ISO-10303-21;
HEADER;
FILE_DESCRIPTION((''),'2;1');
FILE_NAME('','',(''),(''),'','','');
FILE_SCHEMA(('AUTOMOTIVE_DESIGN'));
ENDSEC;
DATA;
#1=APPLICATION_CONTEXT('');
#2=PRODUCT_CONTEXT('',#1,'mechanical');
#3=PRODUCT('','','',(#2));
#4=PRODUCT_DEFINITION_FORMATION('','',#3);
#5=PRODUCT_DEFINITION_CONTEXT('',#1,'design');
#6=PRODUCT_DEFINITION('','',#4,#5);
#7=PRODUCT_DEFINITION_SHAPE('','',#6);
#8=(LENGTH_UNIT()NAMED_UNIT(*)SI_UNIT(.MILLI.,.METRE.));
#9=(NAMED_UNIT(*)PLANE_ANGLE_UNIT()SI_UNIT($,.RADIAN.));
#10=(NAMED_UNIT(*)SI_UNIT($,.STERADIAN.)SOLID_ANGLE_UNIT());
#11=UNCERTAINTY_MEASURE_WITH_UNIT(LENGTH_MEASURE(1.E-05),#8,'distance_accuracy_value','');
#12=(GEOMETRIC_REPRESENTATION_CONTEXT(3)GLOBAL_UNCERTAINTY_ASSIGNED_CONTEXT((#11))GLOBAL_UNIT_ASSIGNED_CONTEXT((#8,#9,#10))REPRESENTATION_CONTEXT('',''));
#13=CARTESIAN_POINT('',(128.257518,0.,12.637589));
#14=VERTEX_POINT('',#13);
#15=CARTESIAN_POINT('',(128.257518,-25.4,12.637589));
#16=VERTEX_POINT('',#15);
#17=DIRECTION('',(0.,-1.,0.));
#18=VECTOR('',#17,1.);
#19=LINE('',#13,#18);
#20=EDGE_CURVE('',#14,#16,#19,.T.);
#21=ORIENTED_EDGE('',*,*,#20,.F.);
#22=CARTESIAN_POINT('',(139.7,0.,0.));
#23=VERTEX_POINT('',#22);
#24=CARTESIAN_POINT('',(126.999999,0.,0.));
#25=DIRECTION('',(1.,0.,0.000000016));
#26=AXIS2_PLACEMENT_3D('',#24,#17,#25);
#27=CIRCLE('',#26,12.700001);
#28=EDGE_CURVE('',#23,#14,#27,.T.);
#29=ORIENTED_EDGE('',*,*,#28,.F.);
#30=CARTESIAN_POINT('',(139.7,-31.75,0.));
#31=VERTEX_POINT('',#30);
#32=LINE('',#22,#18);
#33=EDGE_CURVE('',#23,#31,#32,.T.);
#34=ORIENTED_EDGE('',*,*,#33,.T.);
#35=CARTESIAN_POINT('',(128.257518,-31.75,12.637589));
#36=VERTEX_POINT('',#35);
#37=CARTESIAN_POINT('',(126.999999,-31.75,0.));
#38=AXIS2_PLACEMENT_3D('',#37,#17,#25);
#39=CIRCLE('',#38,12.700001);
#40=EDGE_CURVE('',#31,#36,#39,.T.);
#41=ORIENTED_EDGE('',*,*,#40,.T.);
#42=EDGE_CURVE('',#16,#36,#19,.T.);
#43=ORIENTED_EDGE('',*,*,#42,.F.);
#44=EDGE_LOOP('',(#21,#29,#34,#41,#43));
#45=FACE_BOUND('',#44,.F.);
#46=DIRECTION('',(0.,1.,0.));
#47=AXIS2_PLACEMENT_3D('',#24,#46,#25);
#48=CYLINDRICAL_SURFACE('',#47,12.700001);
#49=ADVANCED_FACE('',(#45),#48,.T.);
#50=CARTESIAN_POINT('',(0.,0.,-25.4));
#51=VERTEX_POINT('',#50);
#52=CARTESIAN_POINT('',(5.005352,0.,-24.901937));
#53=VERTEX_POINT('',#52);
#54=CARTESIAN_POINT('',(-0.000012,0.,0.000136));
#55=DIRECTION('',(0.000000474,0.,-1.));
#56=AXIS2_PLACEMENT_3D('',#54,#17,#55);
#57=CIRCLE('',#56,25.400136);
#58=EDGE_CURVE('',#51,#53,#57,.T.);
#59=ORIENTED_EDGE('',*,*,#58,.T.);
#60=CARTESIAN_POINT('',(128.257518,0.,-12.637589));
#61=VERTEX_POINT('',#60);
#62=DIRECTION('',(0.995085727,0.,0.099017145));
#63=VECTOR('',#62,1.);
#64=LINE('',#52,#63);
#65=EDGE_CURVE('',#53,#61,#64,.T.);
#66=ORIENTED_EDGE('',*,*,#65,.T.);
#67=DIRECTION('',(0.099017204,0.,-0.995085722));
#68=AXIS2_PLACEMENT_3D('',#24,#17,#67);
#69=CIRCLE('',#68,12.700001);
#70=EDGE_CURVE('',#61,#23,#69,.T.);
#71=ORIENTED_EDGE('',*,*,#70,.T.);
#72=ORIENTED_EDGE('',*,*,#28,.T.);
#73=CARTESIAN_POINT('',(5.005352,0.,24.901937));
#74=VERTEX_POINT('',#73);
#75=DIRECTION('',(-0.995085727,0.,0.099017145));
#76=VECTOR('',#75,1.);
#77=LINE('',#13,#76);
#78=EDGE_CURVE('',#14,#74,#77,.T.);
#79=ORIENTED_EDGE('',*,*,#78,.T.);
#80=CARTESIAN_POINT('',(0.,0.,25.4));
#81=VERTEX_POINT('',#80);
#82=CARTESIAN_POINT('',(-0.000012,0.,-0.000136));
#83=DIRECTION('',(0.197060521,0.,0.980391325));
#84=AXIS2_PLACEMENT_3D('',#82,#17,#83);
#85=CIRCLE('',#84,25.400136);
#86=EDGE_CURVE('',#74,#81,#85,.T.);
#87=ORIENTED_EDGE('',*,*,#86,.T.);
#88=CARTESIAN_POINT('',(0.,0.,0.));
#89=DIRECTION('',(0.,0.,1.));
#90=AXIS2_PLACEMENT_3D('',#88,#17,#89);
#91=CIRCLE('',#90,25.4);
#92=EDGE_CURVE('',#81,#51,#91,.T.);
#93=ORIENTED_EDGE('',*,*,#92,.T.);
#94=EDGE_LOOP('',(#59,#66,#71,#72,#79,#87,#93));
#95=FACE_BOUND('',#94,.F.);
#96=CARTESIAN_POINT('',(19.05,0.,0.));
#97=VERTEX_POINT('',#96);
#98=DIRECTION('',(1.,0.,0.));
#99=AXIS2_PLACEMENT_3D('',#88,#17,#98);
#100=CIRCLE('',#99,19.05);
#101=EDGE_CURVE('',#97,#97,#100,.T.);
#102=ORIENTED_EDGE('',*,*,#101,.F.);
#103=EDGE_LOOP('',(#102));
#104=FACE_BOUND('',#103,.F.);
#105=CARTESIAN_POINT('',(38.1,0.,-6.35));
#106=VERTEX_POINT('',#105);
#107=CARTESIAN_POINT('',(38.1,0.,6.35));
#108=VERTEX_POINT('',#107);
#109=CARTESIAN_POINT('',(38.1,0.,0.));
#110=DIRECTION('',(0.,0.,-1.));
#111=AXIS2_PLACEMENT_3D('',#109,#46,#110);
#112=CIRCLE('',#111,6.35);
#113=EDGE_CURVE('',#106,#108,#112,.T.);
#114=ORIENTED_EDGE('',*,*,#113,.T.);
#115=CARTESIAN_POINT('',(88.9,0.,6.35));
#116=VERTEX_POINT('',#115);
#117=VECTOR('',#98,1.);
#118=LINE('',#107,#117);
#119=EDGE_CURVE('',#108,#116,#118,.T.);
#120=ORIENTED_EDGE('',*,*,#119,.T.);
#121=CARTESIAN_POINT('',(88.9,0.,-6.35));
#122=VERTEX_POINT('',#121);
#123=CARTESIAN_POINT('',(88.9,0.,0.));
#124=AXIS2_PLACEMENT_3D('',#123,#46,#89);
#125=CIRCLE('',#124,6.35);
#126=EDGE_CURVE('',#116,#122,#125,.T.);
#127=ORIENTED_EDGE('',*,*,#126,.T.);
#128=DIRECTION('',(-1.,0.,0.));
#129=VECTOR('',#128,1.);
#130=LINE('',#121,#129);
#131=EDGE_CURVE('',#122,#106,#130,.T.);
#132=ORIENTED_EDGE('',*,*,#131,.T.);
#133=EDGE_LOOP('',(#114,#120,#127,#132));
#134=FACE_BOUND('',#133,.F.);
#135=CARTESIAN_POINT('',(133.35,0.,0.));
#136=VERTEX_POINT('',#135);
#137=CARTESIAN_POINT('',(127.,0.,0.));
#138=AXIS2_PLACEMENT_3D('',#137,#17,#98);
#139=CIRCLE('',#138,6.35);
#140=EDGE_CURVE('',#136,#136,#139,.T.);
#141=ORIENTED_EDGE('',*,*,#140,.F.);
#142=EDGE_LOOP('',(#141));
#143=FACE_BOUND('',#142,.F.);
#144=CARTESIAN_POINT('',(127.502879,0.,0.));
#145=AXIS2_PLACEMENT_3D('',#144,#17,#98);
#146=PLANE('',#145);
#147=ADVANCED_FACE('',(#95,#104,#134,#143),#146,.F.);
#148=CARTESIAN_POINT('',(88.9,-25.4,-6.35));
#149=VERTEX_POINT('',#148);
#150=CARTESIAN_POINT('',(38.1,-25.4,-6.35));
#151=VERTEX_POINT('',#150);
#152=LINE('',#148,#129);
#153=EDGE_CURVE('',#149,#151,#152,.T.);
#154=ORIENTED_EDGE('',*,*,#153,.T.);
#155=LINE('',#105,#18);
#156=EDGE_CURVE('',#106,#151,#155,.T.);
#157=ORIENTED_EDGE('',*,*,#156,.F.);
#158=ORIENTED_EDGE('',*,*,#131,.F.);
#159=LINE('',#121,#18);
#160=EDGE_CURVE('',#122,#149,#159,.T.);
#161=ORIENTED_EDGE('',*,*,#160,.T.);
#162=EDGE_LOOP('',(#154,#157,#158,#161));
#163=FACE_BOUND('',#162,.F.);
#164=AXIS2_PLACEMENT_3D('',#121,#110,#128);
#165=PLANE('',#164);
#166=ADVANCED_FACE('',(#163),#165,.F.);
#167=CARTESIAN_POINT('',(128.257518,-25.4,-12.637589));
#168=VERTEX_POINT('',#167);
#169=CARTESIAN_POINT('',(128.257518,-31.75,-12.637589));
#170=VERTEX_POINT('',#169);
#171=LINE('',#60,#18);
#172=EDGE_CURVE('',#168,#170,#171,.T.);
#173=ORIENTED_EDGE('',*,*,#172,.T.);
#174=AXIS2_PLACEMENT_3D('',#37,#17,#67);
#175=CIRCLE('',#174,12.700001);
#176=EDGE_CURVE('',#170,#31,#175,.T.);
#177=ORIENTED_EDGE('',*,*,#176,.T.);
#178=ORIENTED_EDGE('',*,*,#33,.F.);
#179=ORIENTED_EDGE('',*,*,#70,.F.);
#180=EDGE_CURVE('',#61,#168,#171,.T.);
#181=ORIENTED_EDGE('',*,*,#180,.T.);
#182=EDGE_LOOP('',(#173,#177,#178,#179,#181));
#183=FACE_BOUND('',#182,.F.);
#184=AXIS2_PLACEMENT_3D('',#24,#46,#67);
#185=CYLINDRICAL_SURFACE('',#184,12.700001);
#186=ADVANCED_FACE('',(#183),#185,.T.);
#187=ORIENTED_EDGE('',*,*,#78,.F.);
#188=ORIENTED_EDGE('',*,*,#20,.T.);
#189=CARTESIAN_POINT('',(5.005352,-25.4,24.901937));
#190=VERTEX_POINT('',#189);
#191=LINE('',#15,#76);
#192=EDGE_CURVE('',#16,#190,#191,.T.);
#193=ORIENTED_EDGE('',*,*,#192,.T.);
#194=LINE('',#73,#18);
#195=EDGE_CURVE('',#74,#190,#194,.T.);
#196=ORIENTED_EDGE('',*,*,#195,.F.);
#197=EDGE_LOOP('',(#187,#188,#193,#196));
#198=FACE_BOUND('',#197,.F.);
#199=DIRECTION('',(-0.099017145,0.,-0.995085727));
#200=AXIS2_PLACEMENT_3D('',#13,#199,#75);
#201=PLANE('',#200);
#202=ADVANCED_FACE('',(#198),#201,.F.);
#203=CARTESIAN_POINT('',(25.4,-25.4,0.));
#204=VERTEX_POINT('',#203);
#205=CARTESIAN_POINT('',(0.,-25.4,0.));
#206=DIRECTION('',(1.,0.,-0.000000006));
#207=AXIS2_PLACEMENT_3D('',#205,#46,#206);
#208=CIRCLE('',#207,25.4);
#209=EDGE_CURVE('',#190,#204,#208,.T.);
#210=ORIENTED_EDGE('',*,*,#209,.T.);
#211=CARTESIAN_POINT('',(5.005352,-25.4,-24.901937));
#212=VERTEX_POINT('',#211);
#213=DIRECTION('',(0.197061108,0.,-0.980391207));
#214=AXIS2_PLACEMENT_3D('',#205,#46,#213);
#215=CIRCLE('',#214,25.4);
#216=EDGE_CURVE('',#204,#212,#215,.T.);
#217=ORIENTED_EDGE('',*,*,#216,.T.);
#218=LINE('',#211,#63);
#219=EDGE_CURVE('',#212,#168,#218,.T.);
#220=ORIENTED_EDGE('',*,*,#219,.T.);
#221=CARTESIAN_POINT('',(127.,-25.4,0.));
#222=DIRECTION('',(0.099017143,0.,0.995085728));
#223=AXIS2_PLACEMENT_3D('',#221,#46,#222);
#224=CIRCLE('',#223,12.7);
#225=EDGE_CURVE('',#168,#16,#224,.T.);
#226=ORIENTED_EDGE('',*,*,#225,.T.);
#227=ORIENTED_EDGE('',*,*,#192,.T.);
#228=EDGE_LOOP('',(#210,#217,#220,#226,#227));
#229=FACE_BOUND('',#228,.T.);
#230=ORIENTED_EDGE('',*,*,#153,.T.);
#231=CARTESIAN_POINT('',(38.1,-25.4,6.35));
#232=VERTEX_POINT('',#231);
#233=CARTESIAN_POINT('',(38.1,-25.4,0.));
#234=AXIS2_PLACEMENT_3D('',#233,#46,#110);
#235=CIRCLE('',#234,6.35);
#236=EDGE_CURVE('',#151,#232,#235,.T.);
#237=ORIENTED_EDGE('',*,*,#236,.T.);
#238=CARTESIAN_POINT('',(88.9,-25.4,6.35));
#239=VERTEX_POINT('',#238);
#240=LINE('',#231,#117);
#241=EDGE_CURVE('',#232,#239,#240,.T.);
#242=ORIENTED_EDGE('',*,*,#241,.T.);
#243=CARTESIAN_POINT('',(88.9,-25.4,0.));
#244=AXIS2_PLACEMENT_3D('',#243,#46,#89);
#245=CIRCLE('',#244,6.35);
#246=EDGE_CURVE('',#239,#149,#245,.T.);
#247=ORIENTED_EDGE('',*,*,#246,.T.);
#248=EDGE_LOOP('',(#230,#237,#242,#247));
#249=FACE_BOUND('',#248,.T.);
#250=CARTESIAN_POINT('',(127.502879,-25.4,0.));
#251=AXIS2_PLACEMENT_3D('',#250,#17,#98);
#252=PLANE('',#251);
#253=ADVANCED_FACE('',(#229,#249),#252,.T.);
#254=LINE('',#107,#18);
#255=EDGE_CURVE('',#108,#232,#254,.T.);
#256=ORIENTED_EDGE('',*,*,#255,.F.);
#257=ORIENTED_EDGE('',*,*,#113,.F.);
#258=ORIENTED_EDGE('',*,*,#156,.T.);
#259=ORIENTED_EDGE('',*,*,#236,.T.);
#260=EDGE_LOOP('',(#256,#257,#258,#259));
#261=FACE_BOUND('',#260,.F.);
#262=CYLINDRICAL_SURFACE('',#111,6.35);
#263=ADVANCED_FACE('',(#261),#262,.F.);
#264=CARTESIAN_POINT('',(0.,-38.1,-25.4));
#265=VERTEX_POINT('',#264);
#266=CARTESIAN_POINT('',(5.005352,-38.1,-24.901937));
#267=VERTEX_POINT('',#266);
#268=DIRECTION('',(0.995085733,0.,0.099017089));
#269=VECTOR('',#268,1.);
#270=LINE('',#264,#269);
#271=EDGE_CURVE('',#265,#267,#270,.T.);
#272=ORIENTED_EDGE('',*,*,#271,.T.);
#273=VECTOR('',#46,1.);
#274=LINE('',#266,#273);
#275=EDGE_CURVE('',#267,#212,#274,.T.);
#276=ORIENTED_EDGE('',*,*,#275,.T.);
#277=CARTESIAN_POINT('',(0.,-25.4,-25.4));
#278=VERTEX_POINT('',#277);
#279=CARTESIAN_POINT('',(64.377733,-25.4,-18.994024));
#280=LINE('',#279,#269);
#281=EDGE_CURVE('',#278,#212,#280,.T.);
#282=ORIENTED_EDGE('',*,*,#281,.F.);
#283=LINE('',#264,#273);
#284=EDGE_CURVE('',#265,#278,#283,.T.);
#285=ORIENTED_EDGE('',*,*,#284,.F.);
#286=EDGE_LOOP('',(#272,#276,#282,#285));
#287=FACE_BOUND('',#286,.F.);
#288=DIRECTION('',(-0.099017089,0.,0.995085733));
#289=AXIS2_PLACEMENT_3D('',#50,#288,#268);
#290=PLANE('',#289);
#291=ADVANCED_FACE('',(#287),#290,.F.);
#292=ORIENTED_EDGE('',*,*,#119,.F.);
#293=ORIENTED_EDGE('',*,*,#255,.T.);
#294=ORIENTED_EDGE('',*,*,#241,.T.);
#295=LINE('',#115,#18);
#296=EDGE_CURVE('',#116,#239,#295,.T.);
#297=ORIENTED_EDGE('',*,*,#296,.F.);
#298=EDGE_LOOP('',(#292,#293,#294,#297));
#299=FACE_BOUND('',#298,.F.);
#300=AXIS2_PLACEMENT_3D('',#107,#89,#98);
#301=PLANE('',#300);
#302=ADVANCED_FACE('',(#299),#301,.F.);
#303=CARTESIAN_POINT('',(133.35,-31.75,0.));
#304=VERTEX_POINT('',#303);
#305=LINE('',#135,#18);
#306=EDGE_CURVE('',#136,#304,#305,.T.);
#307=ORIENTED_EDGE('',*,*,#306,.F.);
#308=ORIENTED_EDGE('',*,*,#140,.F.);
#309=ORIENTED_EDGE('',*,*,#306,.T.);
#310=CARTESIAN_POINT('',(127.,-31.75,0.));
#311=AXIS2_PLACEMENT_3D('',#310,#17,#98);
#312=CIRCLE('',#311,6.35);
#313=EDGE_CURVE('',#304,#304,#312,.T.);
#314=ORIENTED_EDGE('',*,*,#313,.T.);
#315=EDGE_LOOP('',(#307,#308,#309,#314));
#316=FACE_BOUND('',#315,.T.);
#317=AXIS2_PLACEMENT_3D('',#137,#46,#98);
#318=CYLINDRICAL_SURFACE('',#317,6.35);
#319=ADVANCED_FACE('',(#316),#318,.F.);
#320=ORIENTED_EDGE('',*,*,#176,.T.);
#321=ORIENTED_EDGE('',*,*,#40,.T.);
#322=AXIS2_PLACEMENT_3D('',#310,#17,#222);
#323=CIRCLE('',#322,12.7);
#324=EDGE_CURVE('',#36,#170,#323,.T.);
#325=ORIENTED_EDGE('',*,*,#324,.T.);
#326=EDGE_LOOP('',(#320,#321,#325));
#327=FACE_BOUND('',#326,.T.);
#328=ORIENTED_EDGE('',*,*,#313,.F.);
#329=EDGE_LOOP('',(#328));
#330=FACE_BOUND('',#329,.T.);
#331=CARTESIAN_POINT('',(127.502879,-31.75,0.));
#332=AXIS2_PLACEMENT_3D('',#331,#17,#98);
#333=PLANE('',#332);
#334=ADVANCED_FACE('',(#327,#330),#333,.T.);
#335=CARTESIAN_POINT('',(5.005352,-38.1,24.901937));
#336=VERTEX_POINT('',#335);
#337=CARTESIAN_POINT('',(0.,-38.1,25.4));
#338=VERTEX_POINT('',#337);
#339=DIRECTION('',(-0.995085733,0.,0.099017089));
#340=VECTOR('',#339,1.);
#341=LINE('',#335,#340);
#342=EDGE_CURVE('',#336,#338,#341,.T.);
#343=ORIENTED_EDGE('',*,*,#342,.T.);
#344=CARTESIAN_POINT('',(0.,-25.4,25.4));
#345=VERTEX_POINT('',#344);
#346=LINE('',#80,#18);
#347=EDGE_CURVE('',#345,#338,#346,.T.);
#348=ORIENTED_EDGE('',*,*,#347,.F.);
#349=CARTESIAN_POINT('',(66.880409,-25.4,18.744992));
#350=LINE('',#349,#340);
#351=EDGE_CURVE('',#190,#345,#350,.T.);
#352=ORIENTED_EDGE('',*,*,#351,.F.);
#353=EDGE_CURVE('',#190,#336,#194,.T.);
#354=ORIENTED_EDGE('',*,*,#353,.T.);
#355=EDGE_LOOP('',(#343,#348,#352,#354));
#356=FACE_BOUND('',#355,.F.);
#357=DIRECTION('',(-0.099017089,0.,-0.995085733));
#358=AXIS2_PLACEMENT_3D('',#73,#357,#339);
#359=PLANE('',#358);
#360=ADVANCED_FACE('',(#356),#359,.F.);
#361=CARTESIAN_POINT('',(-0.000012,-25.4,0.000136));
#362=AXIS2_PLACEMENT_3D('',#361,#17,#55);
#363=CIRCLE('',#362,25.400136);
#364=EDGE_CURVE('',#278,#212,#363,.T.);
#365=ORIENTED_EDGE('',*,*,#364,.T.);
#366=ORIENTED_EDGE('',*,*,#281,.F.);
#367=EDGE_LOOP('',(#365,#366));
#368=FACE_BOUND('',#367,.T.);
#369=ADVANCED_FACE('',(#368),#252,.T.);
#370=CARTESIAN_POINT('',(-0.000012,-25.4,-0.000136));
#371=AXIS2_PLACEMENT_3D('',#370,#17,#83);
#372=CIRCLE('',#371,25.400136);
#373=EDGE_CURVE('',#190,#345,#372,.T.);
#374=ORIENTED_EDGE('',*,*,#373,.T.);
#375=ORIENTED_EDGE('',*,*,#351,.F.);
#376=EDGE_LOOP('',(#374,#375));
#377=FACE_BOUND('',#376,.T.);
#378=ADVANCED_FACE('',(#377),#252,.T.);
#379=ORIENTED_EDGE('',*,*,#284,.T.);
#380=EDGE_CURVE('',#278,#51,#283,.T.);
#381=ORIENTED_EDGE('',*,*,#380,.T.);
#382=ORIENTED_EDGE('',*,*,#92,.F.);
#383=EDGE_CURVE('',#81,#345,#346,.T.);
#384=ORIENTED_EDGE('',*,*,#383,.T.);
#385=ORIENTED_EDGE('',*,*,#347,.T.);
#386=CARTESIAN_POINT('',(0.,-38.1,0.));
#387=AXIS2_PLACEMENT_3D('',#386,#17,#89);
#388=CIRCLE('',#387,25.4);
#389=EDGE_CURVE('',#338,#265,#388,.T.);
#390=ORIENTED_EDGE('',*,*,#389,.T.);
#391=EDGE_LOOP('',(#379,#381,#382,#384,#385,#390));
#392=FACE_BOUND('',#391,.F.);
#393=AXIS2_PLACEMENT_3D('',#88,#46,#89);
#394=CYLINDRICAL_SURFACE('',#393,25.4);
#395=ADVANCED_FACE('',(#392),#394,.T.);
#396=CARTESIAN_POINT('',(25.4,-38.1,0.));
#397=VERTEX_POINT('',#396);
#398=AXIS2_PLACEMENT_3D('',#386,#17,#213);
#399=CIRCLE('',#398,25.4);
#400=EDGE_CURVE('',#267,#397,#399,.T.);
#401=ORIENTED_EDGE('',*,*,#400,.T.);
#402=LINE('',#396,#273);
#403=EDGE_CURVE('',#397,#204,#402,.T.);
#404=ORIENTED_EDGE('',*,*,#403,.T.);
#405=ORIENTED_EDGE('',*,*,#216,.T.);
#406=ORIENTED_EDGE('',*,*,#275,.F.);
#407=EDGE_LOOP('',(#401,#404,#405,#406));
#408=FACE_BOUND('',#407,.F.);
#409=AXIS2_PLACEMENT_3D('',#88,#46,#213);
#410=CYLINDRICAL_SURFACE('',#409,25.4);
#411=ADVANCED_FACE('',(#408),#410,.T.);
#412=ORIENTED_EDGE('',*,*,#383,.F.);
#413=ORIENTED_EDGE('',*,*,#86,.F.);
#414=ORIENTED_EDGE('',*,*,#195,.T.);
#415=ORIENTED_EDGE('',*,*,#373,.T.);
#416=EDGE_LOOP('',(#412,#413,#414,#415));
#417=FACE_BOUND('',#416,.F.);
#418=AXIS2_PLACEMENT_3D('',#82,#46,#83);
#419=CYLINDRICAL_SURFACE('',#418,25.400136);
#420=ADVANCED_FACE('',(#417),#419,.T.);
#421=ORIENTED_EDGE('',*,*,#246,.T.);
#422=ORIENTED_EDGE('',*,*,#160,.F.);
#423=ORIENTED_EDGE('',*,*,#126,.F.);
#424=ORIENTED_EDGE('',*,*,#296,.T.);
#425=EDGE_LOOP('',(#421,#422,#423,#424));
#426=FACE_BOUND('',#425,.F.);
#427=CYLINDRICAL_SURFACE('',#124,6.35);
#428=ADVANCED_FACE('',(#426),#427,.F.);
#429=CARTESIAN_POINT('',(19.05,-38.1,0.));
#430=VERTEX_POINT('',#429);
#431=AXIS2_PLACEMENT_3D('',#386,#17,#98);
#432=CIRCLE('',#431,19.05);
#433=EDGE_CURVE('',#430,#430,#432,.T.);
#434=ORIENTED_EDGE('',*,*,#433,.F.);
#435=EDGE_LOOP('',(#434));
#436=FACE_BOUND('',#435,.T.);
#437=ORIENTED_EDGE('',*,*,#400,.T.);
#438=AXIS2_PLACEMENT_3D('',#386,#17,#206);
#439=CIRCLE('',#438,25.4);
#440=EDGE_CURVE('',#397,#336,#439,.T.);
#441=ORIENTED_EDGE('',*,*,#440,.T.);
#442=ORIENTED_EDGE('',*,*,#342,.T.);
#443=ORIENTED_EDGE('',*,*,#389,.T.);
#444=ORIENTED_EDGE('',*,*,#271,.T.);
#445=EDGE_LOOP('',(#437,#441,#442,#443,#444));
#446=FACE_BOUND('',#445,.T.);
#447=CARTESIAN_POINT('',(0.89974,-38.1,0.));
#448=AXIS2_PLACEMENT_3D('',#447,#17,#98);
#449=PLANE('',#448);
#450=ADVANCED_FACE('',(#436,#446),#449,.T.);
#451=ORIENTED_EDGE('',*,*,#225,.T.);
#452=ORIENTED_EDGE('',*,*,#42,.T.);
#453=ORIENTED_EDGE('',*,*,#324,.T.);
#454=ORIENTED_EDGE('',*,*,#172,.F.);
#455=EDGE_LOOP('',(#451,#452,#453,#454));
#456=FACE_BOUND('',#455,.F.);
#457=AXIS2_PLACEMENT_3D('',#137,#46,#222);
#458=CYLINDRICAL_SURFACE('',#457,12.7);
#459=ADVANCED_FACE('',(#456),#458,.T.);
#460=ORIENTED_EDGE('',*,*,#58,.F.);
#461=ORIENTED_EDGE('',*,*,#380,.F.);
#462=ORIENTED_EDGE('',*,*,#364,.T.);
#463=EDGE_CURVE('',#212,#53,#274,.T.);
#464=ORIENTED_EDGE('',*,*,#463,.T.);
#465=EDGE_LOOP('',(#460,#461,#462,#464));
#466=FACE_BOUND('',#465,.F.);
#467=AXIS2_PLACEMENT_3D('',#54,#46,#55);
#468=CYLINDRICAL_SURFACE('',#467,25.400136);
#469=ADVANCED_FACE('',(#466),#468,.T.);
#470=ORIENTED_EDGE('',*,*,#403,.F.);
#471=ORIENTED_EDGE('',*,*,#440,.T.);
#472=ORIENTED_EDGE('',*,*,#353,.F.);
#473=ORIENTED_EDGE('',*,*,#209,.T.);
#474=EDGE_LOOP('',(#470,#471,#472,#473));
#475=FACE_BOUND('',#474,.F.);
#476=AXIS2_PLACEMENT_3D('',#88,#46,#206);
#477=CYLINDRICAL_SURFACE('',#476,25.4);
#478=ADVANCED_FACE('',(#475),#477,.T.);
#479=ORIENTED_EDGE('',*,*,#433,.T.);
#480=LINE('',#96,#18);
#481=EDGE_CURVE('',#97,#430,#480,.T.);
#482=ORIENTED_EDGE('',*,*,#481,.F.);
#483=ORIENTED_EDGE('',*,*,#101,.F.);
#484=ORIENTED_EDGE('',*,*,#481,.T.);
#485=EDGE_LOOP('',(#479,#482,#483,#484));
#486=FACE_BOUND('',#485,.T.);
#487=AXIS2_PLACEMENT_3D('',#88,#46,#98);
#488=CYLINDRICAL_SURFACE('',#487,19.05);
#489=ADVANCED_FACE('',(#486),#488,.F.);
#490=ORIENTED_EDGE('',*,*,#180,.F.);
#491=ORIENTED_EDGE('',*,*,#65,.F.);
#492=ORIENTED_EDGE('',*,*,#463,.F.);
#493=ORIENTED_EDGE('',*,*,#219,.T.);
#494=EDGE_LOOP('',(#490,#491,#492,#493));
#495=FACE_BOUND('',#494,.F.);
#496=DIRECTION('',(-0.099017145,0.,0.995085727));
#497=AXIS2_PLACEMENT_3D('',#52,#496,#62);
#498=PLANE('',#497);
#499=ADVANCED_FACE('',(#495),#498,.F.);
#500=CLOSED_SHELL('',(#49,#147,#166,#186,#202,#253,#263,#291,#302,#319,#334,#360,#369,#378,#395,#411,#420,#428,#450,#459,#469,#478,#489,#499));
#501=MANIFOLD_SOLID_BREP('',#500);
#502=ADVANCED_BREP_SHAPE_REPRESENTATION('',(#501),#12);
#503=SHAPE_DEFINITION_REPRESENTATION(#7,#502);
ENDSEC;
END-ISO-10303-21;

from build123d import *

# Parameters (mm, degrees)
F0_R     = 19.05
F1_DEPTH = 38.1
F0_R_2   = 6.35
F2_DEPTH = 31.75
F3_DEPTH = 25.4


with BuildPart() as f1:
    # F0 (on Front) → F1 (new body)
    with BuildSketch(Plane.XZ):
        with BuildLine():
            ThreePointArc((25.4, 0), (19.650648, 16.093851), (5.005352, 24.901937))
            Line((5.005352, 24.901937), (0, 25.4))
            ThreePointArc((0, 25.4), (-25.4, 0), (0, -25.4))
            Line((0, -25.4), (5.005352, -24.901937))
            ThreePointArc((5.005352, -24.901937), (19.650648, -16.093851), (25.4, 0))
        make_face()
        Circle(F0_R, mode=Mode.SUBTRACT)
    extrude(amount=F1_DEPTH)

    # F0 (on Front) → F2 (join)
    with BuildSketch(Plane.XZ):
        with BuildLine():
            ThreePointArc((25.4, 0), (19.650648, 16.093851), (5.005352, 24.901937))
            Line((5.005352, 24.901937), (0, 25.4))
            ThreePointArc((0, 25.4), (-25.4, 0), (0, -25.4))
            Line((0, -25.4), (5.005352, -24.901937))
            ThreePointArc((5.005352, -24.901937), (19.650648, -16.093851), (25.4, 0))
        make_face()
        Circle(F0_R, mode=Mode.SUBTRACT)
        with BuildLine():
            ThreePointArc((128.257518, -12.637589), (136.414363, -8.52407), (139.7, 0))
            ThreePointArc((139.7, 0), (136.414363, 8.52407), (128.257518, 12.637589))
            ThreePointArc((128.257518, 12.637589), (114.3, 0), (128.257518, -12.637589))
        make_face()
        with Locations((127, 0)):
            Circle(F0_R_2, mode=Mode.SUBTRACT)
    extrude(amount=F2_DEPTH)

    # F0 (on Front) → F3 (join)
    with BuildSketch(Plane.XZ):
        with BuildLine():
            ThreePointArc((128.257518, -12.637589), (136.414363, -8.52407), (139.7, 0))
            ThreePointArc((139.7, 0), (136.414363, 8.52407), (128.257518, 12.637589))
            ThreePointArc((128.257518, 12.637589), (114.3, 0), (128.257518, -12.637589))
        make_face()
        with Locations((127, 0)):
            Circle(F0_R_2, mode=Mode.SUBTRACT)
        with BuildLine():
            ThreePointArc((128.257518, -12.637589), (114.3, 0), (128.257518, 12.637589))
            Line((128.257518, 12.637589), (5.005352, 24.901937))
            ThreePointArc((5.005352, 24.901937), (19.650648, 16.093851), (25.4, 0))
            ThreePointArc((25.4, 0), (19.650648, -16.093851), (5.005352, -24.901937))
            Line((5.005352, -24.901937), (128.257518, -12.637589))
        make_face()
        with BuildLine():
            ThreePointArc((38.1, -6.35), (31.75, 0), (38.1, 6.35))
            Line((38.1, 6.35), (88.9, 6.35))
            ThreePointArc((88.9, 6.35), (95.25, 0), (88.9, -6.35))
            Line((88.9, -6.35), (38.1, -6.35))
        make_face(mode=Mode.SUBTRACT)
        with BuildLine():
            Line((0, 25.4), (5.005352, 24.901937))
            ThreePointArc((5.005352, 24.901937), (2.515035, 25.275177), (0, 25.4))
        make_face()
        with BuildLine():
            ThreePointArc((25.4, 0), (19.650648, 16.093851), (5.005352, 24.901937))
            Line((5.005352, 24.901937), (0, 25.4))
            ThreePointArc((0, 25.4), (-25.4, 0), (0, -25.4))
            Line((0, -25.4), (5.005352, -24.901937))
            ThreePointArc((5.005352, -24.901937), (19.650648, -16.093851), (25.4, 0))
        make_face()
        Circle(F0_R, mode=Mode.SUBTRACT)
        with BuildLine():
            ThreePointArc((0, -25.4), (2.515035, -25.275177), (5.005352, -24.901937))
            Line((5.005352, -24.901937), (0, -25.4))
        make_face()
    extrude(amount=F3_DEPTH)


solid = f1.part
